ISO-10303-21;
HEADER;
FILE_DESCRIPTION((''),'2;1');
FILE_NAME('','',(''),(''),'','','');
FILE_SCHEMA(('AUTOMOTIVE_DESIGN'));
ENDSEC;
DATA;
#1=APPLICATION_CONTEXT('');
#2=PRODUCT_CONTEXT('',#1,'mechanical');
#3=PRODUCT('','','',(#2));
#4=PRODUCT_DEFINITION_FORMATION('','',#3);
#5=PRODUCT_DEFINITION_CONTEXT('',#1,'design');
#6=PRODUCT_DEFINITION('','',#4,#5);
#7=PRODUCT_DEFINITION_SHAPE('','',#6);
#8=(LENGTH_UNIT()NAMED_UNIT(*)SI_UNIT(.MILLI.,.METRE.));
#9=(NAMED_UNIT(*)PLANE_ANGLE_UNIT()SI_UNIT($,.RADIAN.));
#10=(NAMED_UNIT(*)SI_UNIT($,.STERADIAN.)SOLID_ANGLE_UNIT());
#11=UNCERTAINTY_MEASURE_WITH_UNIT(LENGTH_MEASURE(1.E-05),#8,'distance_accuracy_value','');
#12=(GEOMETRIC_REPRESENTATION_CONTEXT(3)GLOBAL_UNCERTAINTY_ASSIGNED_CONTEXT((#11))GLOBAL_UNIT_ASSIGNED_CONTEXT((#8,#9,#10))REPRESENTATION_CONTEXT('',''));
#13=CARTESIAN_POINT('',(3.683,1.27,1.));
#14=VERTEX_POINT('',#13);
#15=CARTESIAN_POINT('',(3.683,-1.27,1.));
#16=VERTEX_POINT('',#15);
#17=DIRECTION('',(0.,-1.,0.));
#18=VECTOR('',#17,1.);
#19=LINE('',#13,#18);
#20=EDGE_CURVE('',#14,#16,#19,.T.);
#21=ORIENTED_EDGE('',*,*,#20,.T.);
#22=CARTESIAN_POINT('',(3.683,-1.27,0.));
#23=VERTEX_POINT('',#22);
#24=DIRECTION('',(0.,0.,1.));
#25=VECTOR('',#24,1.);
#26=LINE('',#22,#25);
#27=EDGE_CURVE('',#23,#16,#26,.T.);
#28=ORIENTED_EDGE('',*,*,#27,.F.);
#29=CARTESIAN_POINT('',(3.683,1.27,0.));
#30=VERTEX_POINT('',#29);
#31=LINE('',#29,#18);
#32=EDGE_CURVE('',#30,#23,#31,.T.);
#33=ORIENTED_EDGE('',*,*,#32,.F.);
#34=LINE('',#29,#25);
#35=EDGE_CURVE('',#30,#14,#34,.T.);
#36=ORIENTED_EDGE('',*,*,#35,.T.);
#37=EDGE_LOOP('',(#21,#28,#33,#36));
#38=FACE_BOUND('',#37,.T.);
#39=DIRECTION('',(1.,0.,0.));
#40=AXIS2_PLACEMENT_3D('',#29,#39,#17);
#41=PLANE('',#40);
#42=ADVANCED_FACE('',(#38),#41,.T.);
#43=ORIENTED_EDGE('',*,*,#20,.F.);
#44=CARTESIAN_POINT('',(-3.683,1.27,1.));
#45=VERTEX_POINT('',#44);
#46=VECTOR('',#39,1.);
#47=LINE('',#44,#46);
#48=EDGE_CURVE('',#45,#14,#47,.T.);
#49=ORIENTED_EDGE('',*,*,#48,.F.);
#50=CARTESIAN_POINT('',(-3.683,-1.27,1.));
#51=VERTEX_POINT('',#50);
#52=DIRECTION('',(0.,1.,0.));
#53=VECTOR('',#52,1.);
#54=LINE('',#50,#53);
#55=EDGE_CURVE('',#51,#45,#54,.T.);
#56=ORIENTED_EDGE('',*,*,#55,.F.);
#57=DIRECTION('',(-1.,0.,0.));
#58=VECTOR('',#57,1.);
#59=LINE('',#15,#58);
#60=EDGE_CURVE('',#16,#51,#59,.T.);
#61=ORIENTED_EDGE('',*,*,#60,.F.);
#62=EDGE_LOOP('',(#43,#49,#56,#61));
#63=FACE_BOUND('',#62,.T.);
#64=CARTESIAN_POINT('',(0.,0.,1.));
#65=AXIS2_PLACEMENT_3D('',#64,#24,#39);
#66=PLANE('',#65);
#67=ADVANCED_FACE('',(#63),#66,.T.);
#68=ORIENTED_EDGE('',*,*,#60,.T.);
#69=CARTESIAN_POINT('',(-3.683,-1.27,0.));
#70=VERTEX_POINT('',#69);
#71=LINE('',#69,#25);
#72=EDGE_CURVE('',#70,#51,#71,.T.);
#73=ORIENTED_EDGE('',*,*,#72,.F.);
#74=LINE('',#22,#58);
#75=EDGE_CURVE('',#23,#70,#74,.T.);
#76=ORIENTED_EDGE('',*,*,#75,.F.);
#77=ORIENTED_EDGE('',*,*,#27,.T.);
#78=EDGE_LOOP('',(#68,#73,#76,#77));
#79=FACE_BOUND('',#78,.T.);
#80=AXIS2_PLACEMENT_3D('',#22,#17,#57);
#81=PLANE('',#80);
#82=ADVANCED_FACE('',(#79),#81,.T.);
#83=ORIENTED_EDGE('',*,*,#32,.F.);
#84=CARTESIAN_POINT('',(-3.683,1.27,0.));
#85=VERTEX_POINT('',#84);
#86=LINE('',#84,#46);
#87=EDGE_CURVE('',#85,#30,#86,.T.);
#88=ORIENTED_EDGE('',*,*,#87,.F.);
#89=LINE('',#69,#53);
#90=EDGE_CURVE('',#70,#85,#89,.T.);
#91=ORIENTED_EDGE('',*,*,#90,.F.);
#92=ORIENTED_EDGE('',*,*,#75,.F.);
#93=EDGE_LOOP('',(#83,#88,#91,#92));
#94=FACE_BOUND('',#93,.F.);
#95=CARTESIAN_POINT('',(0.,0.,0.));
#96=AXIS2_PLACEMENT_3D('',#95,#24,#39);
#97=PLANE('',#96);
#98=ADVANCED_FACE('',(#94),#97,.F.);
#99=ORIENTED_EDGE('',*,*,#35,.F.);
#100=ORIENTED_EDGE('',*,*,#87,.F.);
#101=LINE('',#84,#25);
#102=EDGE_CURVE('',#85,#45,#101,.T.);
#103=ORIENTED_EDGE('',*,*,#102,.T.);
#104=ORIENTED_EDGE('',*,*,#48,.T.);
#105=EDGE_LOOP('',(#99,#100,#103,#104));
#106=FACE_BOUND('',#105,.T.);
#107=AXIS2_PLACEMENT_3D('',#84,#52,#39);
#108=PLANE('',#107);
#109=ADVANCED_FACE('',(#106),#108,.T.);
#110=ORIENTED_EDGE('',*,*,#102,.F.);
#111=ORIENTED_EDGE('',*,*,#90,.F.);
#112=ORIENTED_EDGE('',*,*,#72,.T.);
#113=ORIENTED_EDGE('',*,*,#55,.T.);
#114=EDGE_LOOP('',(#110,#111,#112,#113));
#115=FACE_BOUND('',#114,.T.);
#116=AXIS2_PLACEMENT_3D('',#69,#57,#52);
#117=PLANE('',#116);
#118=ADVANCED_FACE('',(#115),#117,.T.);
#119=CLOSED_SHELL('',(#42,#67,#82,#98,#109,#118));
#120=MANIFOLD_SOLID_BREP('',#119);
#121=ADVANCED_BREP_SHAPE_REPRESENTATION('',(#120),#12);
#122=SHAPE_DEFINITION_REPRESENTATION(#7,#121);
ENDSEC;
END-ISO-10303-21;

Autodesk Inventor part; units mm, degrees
ref_plane "YZ Plane" through (0, 0, 0) normal (1, 0, 0) x (0, 1, 0)
ref_plane "XZ Plane" through (0, 0, 0) normal (0, 1, 0) x (-1, 0, 0)
ref_plane "XY Plane" through (0, 0, 0) normal (0, 0, 1) x (1, 0, 0)
sketch "C050-025X075, C050-025X075_1" plane through (0, 0, 0) normal (0, 0, 1) x (1, 0, 0)
  line L0 (-3.683, 1.27) -> (3.683, 1.27)
  line L1 (3.683, 1.27) -> (3.683, -1.27)
  line L2 (3.683, -1.27) -> (-3.683, -1.27)
  line L3 (-3.683, -1.27) -> (-3.683, 1.27)
extrude "Extrusion1" add sketch "C050-025X075, C050-025X075_1" along normal blind 1
properties part number "C050-025X075"
